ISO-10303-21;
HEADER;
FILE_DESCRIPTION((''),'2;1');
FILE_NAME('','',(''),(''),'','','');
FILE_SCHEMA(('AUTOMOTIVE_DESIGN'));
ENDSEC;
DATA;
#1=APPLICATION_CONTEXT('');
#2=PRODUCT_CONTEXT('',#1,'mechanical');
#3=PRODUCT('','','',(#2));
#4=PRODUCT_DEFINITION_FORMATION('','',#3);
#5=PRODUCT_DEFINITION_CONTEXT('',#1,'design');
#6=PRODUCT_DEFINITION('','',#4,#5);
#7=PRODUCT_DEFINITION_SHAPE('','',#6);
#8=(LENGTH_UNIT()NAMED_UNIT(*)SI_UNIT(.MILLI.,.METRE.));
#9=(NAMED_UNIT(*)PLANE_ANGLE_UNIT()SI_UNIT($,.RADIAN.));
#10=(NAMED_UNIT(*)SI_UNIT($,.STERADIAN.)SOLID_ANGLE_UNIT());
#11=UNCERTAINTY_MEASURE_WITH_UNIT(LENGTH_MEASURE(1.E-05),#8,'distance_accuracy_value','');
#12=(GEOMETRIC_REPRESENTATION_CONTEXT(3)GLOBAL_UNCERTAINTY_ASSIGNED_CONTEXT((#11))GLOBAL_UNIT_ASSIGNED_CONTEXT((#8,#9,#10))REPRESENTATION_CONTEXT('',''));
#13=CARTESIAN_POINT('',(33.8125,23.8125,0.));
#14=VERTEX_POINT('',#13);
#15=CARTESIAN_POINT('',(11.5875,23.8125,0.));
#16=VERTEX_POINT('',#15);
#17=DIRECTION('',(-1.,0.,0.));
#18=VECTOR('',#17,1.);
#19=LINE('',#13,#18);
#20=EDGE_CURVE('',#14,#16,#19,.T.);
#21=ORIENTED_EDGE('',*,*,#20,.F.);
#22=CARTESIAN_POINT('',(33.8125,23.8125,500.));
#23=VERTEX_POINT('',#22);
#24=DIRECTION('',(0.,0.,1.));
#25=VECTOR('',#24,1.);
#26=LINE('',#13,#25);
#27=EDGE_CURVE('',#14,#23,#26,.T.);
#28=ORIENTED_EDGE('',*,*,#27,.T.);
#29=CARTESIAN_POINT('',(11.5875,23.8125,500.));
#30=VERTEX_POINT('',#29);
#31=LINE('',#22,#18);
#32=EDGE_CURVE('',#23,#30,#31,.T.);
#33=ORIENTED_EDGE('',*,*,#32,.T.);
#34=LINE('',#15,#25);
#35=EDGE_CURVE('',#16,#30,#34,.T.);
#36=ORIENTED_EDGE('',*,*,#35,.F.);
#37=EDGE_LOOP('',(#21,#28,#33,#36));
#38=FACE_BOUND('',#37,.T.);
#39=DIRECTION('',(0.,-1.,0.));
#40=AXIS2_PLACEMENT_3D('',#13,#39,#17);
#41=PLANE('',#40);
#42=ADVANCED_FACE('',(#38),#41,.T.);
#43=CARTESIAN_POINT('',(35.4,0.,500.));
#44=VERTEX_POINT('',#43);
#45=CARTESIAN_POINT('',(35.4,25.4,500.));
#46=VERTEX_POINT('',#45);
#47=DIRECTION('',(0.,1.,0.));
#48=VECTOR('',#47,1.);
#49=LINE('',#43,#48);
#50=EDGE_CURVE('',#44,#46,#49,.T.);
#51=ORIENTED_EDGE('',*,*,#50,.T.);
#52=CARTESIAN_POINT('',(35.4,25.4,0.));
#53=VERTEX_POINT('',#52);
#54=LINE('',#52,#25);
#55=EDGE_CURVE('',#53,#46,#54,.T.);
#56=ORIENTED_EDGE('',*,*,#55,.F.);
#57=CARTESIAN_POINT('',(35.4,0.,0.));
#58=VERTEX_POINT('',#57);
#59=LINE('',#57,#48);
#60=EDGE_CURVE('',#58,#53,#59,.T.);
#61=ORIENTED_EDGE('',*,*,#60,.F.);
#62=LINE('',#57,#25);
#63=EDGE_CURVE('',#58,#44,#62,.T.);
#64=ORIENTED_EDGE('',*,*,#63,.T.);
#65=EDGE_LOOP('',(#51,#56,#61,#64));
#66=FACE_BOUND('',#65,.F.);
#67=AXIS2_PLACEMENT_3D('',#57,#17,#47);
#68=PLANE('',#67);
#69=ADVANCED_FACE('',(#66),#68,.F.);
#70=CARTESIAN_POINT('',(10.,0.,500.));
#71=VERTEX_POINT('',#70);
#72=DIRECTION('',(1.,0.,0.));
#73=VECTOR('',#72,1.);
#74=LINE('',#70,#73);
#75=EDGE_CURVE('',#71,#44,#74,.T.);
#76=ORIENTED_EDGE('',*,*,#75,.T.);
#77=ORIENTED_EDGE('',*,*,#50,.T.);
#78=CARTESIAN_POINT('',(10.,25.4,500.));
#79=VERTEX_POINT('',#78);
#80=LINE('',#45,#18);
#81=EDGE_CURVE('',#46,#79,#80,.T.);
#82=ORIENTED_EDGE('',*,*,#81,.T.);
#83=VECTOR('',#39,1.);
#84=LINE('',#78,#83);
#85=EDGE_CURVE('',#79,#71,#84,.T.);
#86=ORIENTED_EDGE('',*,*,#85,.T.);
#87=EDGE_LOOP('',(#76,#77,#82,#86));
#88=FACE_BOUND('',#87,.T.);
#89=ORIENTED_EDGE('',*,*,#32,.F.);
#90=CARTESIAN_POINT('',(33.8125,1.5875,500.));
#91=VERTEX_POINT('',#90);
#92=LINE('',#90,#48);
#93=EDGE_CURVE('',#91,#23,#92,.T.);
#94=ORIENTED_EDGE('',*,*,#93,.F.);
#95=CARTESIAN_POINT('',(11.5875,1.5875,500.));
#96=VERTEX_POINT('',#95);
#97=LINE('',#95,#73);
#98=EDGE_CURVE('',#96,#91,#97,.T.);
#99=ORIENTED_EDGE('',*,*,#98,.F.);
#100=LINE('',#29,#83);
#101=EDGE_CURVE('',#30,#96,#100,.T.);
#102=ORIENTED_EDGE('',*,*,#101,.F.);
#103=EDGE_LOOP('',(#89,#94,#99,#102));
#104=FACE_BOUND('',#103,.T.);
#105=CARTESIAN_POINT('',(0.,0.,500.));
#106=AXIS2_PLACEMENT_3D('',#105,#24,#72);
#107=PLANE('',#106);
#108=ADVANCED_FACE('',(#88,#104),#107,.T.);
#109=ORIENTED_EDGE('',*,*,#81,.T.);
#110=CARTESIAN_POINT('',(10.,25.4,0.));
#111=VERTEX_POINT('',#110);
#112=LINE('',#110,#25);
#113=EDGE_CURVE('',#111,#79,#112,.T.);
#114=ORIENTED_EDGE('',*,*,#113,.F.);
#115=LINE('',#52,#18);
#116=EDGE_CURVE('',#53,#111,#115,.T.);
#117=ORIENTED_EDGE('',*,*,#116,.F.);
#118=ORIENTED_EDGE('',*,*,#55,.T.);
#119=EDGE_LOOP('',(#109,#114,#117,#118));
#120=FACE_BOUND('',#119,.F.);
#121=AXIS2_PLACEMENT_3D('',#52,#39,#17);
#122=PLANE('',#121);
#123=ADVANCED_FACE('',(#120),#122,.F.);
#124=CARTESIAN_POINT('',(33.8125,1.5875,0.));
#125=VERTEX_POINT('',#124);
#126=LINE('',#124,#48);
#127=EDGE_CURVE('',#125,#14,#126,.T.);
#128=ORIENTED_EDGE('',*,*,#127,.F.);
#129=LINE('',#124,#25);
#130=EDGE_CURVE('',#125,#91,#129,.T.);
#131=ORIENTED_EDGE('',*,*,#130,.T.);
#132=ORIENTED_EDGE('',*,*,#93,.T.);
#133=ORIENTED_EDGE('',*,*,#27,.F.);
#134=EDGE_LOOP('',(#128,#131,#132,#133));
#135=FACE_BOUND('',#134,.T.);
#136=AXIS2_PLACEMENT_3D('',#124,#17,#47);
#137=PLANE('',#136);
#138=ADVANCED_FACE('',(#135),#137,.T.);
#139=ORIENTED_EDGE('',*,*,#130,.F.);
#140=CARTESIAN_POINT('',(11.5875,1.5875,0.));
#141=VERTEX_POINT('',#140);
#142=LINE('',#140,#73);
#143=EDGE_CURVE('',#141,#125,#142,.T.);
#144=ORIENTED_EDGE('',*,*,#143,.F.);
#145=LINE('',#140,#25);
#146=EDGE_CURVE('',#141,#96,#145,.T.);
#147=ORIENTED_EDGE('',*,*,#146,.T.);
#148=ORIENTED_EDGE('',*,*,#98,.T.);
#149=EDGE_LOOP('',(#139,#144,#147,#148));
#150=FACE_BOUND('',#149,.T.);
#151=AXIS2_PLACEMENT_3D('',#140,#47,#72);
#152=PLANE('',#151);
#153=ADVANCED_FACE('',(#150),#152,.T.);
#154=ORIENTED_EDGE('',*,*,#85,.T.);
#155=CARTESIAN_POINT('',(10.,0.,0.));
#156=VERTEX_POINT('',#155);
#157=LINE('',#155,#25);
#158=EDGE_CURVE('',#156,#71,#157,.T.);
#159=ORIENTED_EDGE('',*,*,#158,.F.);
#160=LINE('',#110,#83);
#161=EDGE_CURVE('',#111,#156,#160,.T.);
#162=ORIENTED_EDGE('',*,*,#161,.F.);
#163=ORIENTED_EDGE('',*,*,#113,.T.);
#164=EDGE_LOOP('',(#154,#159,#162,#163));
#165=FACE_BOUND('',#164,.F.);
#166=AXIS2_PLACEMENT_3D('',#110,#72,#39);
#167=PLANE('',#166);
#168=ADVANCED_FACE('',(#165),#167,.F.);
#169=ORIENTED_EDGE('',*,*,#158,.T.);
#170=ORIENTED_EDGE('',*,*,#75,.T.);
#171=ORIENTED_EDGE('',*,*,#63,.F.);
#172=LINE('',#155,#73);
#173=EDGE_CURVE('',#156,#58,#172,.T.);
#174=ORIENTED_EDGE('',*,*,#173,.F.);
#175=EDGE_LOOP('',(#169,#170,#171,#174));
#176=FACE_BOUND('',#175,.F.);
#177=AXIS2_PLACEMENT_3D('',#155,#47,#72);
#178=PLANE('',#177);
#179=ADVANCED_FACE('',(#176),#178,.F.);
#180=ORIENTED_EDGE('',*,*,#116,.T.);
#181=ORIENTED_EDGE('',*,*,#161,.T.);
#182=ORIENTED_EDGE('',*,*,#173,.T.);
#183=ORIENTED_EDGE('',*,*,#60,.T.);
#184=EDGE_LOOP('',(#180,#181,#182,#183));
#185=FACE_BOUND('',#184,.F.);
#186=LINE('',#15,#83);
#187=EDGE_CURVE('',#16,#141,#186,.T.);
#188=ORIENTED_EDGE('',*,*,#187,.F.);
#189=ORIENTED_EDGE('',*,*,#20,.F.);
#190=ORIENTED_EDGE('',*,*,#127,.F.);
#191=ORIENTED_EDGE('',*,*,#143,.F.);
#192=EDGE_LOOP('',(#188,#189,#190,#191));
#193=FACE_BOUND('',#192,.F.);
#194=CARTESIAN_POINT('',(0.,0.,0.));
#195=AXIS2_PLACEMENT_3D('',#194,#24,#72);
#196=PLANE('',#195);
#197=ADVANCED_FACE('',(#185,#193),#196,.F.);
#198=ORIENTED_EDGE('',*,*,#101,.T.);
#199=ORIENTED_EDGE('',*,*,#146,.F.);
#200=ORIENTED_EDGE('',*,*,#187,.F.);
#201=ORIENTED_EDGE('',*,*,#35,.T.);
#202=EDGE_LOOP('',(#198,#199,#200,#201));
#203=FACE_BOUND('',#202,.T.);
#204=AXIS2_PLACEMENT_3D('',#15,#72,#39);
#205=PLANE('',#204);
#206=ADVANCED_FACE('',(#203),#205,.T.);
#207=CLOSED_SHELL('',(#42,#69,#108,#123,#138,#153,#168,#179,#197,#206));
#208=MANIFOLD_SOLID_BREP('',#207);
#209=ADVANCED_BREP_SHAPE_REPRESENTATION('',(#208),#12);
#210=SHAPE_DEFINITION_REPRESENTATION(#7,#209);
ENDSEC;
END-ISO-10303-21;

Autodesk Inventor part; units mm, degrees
ref_plane "YZ Plane" through (0, 0, 0) normal (1, 0, 0) x (0, 1, 0)
ref_plane "XZ Plane" through (0, 0, 0) normal (0, 1, 0) x (-1, 0, 0)
ref_plane "XY Plane" through (0, 0, 0) normal (0, 0, 1) x (1, 0, 0)
sketch "Sketch1" plane through (0, 0, 0) normal (0, 0, 1) x (1, 0, 0)
  line L0 (93.1, 0) -> (67.7, 0) projected
  line L1 (93.1, 0) -> (67.7, 0) projected
  line L2 (10, 0) -> (35.4, 0)
  line L3 (35.4, 0) -> (35.4, 25.4)
  line L4 (35.4, 25.4) -> (10, 25.4)
  line L5 (10, 25.4) -> (10, 0)
  line L6 (11.5875, 1.5875) -> (33.8125, 1.5875)
  line L7 (33.8125, 1.5875) -> (33.8125, 23.8125)
  line L8 (33.8125, 23.8125) -> (11.5875, 23.8125)
  line L9 (11.5875, 23.8125) -> (11.5875, 1.5875)
  line L10 (67.7, 25.4) -> (67.7, 0) projected
  line L11 (93.1, 0) -> (93.1, 25.4) projected
  line L12 (93.1, 25.4) -> (67.7, 25.4) projected
  line L13 (67.7, 25.4) -> (67.7, 0) projected
  line L14 (93.1, 0) -> (93.1, 25.4) projected
  line L15 (93.1, 25.4) -> (67.7, 25.4) projected
  point P0 (0, 0)
  dimension "d0" = 22.225
  dimension "d1" = 22.225
  dimension "d3" = 1.5875
extrude "Extrusion1" add sketch "Sketch1" along normal blind 500 contours L5 L4 L3 L2
properties part number "LateralBars"
